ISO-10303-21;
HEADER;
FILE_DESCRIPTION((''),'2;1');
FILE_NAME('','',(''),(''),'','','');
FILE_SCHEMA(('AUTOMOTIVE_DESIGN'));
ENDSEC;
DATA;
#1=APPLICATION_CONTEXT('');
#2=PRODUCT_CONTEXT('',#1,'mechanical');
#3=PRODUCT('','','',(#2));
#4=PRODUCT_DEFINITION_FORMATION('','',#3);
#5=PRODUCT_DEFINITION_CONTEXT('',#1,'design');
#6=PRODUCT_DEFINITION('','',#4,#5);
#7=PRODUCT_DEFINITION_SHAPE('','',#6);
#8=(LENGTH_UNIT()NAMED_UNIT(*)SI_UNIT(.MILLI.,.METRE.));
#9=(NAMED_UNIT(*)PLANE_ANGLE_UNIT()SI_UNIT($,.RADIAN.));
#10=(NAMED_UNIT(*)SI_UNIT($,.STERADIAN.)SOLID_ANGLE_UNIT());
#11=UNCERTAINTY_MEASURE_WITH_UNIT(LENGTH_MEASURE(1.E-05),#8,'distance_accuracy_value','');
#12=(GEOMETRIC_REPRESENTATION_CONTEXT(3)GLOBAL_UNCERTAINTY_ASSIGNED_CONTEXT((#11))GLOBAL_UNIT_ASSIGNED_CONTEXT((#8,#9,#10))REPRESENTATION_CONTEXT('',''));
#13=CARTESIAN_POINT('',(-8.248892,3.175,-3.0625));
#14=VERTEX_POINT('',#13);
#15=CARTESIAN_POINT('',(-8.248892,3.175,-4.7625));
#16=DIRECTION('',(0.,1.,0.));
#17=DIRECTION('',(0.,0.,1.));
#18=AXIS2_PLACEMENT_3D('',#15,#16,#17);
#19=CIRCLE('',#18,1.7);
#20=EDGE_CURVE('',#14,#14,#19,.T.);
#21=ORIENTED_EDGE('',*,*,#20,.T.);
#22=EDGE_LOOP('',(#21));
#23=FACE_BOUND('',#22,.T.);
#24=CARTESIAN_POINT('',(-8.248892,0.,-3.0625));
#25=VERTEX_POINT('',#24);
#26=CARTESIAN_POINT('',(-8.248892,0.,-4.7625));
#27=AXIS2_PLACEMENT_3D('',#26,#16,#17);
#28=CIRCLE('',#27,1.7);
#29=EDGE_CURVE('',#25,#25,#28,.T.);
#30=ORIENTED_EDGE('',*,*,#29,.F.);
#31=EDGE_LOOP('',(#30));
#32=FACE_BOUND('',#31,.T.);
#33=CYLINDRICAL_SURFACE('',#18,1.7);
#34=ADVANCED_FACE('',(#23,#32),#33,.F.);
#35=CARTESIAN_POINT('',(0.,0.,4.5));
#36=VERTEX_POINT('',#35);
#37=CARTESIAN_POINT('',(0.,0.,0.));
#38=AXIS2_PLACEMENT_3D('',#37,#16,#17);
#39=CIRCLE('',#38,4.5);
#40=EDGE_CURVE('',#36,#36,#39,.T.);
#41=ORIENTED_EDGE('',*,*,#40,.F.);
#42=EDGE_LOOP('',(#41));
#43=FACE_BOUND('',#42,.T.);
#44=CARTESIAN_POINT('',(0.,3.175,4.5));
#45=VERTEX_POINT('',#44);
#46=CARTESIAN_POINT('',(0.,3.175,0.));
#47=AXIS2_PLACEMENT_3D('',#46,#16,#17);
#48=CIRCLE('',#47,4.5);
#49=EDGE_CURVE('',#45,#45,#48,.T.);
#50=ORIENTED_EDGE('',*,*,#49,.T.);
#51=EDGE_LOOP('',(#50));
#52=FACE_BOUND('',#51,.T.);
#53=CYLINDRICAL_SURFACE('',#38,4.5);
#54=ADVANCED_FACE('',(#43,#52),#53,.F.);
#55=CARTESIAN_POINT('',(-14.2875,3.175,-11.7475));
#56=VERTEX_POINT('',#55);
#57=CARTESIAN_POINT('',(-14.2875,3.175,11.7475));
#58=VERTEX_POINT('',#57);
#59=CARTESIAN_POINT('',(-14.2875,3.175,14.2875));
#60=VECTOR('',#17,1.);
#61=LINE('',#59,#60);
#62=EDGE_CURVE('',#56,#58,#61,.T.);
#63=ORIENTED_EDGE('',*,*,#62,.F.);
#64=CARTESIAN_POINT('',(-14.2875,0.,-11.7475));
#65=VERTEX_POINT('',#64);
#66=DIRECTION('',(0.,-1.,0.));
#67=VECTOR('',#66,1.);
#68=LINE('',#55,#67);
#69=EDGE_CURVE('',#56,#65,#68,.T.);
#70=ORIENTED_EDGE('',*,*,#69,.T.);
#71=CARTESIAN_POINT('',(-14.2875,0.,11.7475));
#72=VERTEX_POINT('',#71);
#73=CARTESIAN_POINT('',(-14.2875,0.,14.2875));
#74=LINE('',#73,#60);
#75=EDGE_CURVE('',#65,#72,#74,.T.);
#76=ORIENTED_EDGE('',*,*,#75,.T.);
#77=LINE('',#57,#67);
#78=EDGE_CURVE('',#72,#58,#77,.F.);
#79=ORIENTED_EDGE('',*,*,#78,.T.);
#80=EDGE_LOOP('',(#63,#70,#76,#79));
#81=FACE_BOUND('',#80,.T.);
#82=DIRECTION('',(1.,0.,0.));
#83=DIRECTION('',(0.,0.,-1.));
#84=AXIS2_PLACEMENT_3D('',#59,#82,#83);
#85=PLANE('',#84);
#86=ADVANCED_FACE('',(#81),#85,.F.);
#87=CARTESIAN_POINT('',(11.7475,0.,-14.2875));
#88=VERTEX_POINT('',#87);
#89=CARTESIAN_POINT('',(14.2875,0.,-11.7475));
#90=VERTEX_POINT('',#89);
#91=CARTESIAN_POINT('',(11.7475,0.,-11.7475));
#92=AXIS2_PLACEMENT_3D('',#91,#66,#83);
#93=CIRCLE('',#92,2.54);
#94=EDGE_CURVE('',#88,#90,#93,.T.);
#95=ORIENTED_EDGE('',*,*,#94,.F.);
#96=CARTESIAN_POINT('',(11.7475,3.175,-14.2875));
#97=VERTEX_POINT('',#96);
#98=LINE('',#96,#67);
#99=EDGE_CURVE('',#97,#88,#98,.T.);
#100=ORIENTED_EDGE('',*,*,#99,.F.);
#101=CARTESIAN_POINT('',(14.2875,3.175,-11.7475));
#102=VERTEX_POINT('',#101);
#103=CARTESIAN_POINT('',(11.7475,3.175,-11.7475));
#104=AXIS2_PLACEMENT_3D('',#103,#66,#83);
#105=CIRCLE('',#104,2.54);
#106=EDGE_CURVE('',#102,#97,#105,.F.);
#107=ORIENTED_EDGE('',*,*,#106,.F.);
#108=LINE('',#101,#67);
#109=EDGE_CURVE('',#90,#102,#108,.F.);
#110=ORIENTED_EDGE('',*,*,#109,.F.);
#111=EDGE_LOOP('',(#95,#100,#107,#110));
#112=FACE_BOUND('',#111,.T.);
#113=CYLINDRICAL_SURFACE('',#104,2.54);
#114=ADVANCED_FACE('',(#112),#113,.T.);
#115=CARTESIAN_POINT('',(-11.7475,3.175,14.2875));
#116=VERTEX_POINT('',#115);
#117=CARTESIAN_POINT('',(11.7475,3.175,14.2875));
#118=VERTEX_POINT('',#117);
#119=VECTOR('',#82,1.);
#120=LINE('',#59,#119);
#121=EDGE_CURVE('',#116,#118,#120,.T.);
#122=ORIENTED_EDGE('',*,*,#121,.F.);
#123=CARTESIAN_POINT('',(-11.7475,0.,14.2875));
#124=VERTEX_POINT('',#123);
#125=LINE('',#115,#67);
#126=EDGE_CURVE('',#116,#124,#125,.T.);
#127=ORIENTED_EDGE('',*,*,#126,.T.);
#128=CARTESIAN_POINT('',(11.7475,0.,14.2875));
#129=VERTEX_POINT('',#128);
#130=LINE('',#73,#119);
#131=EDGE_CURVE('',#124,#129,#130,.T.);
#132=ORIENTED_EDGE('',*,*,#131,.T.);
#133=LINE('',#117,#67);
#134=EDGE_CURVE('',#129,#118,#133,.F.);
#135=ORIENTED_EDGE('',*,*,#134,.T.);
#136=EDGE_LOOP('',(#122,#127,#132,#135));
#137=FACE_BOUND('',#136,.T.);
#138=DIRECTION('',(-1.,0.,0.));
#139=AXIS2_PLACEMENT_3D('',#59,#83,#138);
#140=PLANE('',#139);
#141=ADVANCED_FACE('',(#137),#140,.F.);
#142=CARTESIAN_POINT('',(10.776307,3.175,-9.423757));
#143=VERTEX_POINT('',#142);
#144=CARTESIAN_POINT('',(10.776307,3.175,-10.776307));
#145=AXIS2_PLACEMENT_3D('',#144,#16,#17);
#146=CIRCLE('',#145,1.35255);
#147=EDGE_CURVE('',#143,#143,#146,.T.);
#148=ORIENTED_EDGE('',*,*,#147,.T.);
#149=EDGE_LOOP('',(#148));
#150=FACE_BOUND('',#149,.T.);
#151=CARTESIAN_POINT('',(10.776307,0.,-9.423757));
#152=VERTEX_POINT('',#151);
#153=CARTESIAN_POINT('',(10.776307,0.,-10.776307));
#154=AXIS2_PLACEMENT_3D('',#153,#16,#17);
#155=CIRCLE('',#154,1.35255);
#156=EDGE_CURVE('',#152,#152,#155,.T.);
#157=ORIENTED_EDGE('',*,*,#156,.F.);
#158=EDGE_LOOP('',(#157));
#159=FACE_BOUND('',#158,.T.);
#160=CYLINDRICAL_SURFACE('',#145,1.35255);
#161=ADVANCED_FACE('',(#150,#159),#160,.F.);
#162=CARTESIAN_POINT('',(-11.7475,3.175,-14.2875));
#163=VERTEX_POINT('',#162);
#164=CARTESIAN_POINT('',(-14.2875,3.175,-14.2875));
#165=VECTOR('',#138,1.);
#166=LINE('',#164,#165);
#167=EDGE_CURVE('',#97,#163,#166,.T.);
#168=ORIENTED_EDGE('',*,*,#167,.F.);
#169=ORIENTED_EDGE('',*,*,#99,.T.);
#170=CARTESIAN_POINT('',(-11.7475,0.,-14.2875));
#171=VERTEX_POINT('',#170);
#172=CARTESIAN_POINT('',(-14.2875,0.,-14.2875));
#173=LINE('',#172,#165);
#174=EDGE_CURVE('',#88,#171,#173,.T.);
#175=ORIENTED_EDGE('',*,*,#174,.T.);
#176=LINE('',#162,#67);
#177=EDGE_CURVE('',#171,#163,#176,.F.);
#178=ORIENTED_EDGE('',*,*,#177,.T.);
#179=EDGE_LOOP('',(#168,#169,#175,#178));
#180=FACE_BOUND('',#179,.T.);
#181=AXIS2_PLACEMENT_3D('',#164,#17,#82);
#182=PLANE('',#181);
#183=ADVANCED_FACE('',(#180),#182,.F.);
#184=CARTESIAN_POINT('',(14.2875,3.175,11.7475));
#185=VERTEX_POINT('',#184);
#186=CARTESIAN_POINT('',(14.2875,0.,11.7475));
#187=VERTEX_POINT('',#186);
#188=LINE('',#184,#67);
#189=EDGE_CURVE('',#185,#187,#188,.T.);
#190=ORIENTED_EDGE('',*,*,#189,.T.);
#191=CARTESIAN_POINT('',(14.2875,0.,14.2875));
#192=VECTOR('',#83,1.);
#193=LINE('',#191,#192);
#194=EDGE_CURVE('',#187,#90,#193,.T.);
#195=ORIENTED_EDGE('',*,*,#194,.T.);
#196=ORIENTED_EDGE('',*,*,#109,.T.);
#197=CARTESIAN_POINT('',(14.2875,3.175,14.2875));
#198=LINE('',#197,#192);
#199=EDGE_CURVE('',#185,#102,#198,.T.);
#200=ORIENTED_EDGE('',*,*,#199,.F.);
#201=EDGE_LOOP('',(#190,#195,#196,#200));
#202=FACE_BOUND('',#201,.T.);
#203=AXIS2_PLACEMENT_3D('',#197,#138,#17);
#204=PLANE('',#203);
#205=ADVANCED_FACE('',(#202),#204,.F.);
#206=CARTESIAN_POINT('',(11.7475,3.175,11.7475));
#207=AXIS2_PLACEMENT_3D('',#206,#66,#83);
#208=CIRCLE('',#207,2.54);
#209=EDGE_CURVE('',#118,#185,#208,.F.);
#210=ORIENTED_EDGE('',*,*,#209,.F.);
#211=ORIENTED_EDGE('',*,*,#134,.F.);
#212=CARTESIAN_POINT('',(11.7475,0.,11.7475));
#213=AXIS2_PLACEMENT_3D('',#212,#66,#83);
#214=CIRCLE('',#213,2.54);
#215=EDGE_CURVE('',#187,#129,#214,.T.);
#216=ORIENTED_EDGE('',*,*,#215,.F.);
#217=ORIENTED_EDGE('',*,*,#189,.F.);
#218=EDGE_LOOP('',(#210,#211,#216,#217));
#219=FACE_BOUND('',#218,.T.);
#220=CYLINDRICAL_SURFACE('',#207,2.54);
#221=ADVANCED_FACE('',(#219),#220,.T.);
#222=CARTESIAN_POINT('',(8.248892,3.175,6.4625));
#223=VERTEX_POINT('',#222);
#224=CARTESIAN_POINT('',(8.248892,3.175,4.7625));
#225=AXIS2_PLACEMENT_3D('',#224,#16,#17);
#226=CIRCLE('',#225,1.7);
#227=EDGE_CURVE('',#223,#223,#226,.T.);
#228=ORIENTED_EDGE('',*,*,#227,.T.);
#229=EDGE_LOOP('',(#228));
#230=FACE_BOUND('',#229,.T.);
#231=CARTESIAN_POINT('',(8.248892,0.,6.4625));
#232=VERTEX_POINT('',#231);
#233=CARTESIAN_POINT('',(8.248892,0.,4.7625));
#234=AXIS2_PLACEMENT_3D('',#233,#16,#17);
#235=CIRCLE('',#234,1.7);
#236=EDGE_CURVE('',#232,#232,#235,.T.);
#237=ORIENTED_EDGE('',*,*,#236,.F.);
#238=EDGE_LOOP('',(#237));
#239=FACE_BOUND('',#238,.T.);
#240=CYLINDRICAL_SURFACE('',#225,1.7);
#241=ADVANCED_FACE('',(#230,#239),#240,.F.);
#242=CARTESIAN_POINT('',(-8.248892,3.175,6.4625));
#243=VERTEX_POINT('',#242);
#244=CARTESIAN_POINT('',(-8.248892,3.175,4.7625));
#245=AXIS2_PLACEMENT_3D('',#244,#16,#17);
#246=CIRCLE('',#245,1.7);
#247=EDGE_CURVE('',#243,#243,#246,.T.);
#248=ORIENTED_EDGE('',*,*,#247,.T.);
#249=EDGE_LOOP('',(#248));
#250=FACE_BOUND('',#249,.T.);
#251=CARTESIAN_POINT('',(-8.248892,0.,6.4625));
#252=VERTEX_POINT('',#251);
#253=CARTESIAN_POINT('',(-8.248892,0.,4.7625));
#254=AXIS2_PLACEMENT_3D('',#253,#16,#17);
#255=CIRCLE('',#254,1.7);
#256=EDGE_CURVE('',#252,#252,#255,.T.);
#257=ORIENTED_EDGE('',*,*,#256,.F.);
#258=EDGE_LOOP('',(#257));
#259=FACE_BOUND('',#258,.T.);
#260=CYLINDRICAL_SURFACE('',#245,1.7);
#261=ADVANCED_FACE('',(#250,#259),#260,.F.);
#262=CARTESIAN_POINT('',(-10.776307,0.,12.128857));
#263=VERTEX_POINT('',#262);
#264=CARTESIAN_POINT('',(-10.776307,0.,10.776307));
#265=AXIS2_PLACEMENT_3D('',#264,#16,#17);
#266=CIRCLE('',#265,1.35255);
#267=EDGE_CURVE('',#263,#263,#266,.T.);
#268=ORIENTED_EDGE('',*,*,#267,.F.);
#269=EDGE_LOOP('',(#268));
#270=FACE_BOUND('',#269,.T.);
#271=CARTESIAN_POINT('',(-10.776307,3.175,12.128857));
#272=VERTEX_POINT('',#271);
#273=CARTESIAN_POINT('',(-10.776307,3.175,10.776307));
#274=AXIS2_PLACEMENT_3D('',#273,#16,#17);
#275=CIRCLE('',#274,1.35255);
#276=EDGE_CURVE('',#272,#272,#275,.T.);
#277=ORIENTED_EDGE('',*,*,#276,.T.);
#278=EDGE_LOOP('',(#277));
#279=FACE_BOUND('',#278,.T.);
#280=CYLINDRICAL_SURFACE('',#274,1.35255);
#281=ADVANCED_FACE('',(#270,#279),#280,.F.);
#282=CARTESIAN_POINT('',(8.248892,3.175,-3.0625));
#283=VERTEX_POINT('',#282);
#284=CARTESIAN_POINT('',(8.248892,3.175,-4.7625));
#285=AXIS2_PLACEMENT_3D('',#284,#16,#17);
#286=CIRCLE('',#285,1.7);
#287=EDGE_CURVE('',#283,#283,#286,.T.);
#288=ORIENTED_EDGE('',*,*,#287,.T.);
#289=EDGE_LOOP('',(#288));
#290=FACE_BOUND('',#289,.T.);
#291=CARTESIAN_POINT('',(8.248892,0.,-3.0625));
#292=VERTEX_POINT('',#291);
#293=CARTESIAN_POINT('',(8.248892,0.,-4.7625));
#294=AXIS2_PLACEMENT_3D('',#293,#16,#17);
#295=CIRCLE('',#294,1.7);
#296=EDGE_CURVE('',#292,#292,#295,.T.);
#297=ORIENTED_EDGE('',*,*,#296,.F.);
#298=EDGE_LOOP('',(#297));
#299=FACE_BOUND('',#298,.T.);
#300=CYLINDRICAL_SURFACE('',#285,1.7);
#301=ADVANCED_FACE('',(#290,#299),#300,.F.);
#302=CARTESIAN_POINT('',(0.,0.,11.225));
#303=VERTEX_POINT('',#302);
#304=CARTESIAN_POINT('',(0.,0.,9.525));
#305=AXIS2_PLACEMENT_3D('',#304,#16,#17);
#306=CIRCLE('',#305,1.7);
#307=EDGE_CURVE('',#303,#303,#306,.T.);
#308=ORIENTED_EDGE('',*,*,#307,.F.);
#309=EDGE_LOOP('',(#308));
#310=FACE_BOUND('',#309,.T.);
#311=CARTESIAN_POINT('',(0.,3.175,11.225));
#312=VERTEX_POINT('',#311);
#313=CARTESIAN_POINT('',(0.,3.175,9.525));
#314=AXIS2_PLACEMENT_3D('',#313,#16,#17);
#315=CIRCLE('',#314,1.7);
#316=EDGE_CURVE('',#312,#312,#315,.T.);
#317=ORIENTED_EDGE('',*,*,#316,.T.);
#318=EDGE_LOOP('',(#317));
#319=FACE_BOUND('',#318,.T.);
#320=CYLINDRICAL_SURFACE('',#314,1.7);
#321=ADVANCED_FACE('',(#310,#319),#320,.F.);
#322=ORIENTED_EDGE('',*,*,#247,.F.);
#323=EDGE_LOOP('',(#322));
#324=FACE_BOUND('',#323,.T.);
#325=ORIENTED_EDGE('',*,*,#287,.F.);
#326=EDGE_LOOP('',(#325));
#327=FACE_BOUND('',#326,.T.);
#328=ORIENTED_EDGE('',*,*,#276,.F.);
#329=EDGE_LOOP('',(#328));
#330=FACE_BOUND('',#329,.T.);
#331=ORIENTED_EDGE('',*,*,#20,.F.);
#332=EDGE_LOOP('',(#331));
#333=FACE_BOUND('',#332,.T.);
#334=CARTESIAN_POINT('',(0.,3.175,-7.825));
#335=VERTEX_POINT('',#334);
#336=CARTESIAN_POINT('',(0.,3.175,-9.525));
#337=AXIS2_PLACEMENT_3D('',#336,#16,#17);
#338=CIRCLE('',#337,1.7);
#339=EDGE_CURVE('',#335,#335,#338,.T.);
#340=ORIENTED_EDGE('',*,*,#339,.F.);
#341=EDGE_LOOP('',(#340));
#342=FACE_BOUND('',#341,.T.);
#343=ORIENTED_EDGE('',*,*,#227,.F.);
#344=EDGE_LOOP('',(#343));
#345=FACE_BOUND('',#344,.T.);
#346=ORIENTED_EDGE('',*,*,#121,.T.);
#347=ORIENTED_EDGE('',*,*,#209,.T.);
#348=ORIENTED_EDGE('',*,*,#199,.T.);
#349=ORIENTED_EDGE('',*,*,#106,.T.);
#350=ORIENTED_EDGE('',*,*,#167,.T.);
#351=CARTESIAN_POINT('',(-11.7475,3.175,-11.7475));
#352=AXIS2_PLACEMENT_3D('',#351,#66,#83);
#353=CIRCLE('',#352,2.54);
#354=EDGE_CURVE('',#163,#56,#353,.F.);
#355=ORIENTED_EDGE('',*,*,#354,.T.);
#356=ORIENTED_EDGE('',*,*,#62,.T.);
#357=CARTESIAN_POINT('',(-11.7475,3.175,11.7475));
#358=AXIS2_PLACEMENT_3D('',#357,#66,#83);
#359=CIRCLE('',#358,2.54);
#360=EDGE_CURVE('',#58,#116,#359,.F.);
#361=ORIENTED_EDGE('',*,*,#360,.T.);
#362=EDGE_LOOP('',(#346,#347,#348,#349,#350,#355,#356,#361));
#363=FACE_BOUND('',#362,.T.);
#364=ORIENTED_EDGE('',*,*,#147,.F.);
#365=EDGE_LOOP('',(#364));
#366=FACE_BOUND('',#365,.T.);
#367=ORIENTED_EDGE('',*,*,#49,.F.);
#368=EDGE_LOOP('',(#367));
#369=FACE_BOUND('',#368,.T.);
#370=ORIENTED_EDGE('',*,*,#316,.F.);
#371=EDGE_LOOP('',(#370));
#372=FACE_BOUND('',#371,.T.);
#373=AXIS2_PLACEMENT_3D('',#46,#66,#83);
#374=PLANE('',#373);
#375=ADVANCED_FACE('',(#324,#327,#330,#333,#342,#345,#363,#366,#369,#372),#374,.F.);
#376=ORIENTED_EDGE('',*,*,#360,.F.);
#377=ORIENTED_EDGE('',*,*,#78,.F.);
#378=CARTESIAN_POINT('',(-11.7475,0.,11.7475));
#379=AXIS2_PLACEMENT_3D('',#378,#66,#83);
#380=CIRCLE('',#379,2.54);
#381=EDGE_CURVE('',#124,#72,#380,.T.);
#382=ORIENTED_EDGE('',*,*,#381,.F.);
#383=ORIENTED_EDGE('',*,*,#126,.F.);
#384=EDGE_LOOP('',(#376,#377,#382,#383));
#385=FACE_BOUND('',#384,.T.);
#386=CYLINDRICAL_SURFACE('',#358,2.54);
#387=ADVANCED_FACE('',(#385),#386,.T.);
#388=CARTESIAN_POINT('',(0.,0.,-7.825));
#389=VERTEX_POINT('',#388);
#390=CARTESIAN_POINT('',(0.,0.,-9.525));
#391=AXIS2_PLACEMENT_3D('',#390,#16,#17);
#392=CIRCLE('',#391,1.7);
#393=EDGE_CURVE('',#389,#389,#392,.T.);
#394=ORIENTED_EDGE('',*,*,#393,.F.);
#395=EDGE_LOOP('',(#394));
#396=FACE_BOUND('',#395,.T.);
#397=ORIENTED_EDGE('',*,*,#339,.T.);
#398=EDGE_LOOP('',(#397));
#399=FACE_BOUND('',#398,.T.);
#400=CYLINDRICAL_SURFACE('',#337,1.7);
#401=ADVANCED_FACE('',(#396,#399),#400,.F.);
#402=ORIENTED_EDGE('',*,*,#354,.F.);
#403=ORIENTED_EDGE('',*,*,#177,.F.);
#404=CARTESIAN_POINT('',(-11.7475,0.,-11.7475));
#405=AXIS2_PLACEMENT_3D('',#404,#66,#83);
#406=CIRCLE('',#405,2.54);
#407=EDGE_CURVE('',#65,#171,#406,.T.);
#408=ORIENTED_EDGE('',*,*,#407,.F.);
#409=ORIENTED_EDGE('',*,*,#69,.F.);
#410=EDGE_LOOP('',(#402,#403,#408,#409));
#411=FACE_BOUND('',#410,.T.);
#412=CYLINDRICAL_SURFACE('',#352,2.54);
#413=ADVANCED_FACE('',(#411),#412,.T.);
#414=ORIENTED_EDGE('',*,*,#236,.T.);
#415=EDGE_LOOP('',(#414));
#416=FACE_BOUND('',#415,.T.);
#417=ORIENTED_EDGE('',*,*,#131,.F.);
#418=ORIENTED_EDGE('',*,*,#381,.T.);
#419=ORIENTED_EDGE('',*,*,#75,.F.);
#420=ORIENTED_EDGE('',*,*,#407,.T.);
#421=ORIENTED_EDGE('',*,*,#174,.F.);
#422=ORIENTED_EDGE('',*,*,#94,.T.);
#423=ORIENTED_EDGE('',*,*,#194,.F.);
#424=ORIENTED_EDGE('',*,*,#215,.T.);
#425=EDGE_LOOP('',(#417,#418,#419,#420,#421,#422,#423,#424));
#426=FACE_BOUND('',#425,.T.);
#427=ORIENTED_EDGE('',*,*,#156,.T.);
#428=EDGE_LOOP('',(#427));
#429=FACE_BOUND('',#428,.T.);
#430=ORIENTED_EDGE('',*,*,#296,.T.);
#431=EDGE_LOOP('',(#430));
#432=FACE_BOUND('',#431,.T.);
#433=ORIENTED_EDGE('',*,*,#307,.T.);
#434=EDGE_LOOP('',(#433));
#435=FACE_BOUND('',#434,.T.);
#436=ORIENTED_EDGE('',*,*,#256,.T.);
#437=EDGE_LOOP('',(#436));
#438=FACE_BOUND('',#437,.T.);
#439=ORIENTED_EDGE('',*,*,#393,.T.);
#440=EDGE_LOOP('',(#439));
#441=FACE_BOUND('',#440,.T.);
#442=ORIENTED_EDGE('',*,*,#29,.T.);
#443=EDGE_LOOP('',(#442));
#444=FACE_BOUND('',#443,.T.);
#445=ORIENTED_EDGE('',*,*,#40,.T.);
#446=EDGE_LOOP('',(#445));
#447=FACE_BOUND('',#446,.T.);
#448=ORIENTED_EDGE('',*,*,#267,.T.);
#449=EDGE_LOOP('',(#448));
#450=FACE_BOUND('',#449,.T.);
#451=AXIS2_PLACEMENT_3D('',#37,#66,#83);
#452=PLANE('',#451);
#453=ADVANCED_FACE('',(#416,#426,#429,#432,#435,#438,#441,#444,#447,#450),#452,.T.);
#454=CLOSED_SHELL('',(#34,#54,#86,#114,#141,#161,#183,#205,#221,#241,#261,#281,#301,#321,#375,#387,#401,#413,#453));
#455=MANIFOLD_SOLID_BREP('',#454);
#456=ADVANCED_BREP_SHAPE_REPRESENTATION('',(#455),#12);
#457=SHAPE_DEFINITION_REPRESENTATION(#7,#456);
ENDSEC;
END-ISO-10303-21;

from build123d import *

# Parameters (mm, degrees)
SKETCH1_W             = 28.575
SKETCH1_H             = 28.575
BOSS_EXTRUDE1_DEPTH   = 3.175
M3_CLEARANCE_HOLE1_D  = 3.4
SKETCH2_R             = 4.5
CUT_EXTRUDE2_DEPTH    = 21.453506729
CIRPATTERN1_COUNT     = 6
F_6_32_TAPPED_HOLE1_D = 2.7051
FILLET1_R             = 2.54


with BuildPart() as part:
    # Sketch1 → Boss-Extrude1 (new body)
    with BuildSketch(Plane(origin=(0, 0, 0), x_dir=(1, 0, 0), z_dir=(0, 1, 0))):
        Rectangle(SKETCH1_W, SKETCH1_H)
    extrude(amount=BOSS_EXTRUDE1_DEPTH)

    # M3 Clearance Hole1 (through all)
    with Locations(Plane(origin=(0, 3.175, 0), x_dir=(1, 0, 0), z_dir=(0, 1, 0))):
        with Locations((0, 9.525)):
            m3_clearance_hole1 = Hole(M3_CLEARANCE_HOLE1_D / 2)

    # Sketch2 → Cut-Extrude2 (cut, through all)
    with BuildSketch(Plane(origin=(0, 3.175, 0), x_dir=(1, 0, 0), z_dir=(0, 1, 0))):
        with Locations(Location((0, 0, 0), (0, 0, 270))):
            Circle(SKETCH2_R)
    extrude(amount=-CUT_EXTRUDE2_DEPTH, mode=Mode.SUBTRACT)

    # CirPattern1: M3 Clearance Hole1 ×6 about axis
    cirpattern1_axis = Axis((0, 0, 0), (0, 1, 0))
    for i in range(1, CIRPATTERN1_COUNT):
        add(m3_clearance_hole1.rotate(cirpattern1_axis, i * 360 / CIRPATTERN1_COUNT), mode=Mode.SUBTRACT)

    # #6-32 Tapped Hole1 (through all)
    with Locations(Plane(origin=(0, 3.175, 0), x_dir=(1, 0, 0), z_dir=(0, 1, 0))):
        with Locations((10.776307345, 10.776307345), (-10.776307345, -10.776307345)):
            Hole(F_6_32_TAPPED_HOLE1_D / 2)

    # Fillet1
    fillet1_edges = [part.edges().sort_by_distance(p)[0] for p in [
        (14.2875, 1.5875, 14.2875),
        (-14.2875, 1.5875, 14.2875),
        (-14.2875, 1.5875, -14.2875),
        (14.2875, 1.5875, -14.2875),
    ]]
    fillet(fillet1_edges, radius=FILLET1_R)


solid = part.part
